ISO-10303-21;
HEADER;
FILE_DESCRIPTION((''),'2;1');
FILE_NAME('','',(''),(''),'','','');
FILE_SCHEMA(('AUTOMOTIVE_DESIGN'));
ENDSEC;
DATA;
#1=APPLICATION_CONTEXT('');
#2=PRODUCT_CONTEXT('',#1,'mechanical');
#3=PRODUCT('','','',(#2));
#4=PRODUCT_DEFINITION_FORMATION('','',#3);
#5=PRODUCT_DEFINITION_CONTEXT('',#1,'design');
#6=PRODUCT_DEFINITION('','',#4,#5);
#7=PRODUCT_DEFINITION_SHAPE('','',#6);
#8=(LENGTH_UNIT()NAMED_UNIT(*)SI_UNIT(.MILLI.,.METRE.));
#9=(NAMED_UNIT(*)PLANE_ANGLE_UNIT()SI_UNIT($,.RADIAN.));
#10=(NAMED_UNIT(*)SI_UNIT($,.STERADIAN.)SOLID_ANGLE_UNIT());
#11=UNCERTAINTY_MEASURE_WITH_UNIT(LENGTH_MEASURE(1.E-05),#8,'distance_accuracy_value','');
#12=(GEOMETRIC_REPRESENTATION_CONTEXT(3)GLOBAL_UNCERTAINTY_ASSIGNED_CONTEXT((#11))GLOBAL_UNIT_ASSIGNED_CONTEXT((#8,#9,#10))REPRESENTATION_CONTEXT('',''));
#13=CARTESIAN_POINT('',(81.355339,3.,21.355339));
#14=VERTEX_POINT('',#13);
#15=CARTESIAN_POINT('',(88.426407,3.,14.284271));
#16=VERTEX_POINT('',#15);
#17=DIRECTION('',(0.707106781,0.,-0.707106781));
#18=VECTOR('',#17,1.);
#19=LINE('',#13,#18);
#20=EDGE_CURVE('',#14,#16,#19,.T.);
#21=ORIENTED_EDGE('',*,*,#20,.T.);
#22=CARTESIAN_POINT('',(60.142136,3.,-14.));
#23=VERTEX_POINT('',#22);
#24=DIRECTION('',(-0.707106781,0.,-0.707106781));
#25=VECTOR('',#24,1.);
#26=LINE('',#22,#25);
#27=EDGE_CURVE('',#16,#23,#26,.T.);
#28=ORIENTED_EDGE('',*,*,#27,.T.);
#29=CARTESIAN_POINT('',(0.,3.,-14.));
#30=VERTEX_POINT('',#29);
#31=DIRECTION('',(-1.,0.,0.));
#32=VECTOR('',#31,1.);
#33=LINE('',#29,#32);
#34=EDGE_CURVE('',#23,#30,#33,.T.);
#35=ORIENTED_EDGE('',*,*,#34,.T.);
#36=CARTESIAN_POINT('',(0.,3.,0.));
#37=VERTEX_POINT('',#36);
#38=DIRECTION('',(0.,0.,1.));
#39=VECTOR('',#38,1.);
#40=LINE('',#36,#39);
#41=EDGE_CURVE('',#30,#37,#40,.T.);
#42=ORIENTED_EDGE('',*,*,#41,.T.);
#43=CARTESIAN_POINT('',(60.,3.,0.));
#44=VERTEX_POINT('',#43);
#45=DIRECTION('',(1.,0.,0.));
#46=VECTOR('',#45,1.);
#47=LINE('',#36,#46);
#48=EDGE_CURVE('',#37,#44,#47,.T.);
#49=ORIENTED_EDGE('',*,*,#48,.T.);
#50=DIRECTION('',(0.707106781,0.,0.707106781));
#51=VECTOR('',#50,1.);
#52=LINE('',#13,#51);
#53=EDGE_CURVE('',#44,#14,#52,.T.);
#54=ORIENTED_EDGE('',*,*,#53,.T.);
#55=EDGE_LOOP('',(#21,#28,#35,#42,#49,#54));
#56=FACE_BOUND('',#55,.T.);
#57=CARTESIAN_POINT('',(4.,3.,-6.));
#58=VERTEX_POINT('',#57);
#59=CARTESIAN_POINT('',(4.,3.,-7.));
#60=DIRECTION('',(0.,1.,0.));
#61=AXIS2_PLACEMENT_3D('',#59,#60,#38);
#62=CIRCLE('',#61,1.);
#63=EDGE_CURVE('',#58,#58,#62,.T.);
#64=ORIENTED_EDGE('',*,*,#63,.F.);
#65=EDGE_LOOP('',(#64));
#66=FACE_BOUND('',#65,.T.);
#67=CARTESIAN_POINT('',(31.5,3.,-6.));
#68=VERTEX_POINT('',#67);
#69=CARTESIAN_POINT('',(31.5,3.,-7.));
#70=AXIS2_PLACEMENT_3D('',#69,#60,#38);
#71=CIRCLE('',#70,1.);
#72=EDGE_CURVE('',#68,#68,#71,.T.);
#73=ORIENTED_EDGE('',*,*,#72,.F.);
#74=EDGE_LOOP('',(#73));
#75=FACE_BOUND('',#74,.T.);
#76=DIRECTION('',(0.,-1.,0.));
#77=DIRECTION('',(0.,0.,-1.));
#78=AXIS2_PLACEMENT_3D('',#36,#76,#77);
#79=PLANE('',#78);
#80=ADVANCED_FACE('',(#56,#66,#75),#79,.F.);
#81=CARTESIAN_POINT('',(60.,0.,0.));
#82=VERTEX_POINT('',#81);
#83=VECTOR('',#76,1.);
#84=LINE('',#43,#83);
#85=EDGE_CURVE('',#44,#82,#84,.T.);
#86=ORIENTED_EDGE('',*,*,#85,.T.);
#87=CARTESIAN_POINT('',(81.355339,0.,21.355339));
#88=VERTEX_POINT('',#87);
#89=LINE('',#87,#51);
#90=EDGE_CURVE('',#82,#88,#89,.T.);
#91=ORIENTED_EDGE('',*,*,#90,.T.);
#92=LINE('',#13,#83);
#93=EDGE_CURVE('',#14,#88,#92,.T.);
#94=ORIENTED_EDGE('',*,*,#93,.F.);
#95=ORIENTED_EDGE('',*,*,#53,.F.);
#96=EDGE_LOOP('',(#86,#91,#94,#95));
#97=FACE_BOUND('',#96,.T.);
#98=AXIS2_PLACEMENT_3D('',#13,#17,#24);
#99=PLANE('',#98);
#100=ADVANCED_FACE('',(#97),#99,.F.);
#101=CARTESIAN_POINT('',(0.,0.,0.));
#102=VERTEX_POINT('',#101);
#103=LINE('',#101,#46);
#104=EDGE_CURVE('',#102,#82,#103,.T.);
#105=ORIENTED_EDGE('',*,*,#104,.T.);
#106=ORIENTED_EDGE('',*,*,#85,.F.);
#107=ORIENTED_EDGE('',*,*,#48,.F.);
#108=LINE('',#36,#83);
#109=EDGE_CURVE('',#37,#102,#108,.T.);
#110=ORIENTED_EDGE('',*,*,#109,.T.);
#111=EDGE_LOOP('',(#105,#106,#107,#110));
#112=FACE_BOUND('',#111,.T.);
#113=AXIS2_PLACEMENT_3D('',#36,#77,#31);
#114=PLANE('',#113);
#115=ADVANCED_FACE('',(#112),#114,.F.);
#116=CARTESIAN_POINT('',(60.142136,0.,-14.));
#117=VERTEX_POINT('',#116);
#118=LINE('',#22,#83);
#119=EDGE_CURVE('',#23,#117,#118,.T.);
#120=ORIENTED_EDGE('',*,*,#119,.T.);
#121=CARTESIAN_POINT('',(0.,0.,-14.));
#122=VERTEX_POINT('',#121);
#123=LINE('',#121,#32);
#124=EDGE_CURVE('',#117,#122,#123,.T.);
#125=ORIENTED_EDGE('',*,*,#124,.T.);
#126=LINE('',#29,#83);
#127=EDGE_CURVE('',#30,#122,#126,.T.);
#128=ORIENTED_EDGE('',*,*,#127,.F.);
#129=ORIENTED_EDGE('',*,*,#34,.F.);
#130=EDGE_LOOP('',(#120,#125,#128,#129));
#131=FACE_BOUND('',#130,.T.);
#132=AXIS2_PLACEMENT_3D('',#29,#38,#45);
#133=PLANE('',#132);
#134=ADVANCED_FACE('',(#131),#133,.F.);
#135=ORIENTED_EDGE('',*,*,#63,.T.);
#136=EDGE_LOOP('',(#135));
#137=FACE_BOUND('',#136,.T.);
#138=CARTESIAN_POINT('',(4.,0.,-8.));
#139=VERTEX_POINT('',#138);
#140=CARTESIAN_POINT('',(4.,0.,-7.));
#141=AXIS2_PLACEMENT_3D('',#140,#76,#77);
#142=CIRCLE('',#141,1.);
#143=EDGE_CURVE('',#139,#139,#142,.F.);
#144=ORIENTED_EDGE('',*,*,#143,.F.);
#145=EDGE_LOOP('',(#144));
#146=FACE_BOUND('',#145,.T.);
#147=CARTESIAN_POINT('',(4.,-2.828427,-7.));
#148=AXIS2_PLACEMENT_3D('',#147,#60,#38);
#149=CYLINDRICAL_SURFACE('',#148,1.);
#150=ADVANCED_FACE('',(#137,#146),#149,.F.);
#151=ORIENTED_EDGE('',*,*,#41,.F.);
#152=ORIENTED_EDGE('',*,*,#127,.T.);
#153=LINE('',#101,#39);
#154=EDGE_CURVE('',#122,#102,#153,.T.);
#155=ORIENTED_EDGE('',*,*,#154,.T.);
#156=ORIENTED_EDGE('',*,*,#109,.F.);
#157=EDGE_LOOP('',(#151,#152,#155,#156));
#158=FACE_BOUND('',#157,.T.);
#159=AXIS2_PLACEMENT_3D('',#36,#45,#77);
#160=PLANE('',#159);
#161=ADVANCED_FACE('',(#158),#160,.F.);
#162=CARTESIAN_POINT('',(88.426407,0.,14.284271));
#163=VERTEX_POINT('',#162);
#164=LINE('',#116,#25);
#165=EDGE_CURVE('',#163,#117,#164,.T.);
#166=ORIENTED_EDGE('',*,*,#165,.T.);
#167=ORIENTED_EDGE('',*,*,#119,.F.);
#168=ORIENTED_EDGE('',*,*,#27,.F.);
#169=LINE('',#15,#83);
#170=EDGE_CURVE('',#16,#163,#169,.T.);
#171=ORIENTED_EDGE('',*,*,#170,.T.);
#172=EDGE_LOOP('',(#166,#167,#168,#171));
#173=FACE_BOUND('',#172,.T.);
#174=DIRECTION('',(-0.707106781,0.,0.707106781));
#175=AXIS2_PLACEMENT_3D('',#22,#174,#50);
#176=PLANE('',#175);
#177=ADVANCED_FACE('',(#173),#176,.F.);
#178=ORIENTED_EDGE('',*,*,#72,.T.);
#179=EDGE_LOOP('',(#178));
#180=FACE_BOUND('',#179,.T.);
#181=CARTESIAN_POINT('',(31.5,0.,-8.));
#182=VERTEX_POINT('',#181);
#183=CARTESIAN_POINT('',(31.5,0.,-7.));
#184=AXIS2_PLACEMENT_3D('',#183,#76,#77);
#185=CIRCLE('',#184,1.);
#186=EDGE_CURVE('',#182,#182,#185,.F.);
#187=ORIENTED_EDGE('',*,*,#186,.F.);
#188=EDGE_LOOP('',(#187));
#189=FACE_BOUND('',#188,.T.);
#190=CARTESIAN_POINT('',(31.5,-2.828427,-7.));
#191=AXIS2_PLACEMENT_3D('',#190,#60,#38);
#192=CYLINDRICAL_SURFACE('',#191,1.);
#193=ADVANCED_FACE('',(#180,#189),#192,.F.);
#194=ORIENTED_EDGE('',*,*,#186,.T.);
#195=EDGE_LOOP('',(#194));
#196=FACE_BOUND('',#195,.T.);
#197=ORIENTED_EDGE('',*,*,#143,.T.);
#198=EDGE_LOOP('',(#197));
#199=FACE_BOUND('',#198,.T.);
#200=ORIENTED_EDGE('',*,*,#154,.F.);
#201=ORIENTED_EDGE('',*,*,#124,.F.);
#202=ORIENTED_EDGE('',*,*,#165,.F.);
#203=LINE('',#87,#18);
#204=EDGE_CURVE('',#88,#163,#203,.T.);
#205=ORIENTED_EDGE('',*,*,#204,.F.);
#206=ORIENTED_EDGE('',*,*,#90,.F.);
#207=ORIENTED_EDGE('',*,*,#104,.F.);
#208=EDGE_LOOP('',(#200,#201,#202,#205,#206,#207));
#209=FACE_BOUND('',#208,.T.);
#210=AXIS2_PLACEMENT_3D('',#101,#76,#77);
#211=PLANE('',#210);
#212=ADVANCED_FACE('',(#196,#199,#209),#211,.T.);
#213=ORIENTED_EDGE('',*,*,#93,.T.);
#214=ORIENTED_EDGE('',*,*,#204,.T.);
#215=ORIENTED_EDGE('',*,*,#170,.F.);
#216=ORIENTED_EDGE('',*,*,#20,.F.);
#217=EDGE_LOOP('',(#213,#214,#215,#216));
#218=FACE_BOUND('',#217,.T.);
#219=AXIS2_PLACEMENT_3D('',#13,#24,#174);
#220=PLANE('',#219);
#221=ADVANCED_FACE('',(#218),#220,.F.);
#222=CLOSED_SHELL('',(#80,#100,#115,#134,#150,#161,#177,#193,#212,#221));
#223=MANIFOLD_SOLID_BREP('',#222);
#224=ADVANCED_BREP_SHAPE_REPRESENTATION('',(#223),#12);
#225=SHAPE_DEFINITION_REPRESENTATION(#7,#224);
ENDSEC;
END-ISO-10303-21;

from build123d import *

# Parameters (mm, degrees)
BOSS_EXTRUDE1_DEPTH = 3
SKETCH2_R           = 1
CUT_EXTRUDE1_DEPTH  = 3


with BuildPart() as part:
    # Sketch1 → Boss-Extrude1 (new body)
    with BuildSketch(Plane(origin=(0, 0, 0), x_dir=(1, 0, 0), z_dir=(0, 1, 0))):
        Polygon((81.355339059, -21.355339059), (60, 0), (0, 0), (0, 14), (60.142135624, 14), (88.426406871, -14.284271247), align=None)
    extrude(amount=BOSS_EXTRUDE1_DEPTH)

    # Sketch2 → Cut-Extrude1 (cut)
    with BuildSketch(Plane(origin=(0, 3, 0), x_dir=(1, 0, 0), z_dir=(0, 1, 0))):
        with Locations((4, 7)):
            Circle(SKETCH2_R)
        with Locations((31.5, 7)):
            Circle(SKETCH2_R)
    extrude(amount=-CUT_EXTRUDE1_DEPTH, mode=Mode.SUBTRACT)


solid = part.part
